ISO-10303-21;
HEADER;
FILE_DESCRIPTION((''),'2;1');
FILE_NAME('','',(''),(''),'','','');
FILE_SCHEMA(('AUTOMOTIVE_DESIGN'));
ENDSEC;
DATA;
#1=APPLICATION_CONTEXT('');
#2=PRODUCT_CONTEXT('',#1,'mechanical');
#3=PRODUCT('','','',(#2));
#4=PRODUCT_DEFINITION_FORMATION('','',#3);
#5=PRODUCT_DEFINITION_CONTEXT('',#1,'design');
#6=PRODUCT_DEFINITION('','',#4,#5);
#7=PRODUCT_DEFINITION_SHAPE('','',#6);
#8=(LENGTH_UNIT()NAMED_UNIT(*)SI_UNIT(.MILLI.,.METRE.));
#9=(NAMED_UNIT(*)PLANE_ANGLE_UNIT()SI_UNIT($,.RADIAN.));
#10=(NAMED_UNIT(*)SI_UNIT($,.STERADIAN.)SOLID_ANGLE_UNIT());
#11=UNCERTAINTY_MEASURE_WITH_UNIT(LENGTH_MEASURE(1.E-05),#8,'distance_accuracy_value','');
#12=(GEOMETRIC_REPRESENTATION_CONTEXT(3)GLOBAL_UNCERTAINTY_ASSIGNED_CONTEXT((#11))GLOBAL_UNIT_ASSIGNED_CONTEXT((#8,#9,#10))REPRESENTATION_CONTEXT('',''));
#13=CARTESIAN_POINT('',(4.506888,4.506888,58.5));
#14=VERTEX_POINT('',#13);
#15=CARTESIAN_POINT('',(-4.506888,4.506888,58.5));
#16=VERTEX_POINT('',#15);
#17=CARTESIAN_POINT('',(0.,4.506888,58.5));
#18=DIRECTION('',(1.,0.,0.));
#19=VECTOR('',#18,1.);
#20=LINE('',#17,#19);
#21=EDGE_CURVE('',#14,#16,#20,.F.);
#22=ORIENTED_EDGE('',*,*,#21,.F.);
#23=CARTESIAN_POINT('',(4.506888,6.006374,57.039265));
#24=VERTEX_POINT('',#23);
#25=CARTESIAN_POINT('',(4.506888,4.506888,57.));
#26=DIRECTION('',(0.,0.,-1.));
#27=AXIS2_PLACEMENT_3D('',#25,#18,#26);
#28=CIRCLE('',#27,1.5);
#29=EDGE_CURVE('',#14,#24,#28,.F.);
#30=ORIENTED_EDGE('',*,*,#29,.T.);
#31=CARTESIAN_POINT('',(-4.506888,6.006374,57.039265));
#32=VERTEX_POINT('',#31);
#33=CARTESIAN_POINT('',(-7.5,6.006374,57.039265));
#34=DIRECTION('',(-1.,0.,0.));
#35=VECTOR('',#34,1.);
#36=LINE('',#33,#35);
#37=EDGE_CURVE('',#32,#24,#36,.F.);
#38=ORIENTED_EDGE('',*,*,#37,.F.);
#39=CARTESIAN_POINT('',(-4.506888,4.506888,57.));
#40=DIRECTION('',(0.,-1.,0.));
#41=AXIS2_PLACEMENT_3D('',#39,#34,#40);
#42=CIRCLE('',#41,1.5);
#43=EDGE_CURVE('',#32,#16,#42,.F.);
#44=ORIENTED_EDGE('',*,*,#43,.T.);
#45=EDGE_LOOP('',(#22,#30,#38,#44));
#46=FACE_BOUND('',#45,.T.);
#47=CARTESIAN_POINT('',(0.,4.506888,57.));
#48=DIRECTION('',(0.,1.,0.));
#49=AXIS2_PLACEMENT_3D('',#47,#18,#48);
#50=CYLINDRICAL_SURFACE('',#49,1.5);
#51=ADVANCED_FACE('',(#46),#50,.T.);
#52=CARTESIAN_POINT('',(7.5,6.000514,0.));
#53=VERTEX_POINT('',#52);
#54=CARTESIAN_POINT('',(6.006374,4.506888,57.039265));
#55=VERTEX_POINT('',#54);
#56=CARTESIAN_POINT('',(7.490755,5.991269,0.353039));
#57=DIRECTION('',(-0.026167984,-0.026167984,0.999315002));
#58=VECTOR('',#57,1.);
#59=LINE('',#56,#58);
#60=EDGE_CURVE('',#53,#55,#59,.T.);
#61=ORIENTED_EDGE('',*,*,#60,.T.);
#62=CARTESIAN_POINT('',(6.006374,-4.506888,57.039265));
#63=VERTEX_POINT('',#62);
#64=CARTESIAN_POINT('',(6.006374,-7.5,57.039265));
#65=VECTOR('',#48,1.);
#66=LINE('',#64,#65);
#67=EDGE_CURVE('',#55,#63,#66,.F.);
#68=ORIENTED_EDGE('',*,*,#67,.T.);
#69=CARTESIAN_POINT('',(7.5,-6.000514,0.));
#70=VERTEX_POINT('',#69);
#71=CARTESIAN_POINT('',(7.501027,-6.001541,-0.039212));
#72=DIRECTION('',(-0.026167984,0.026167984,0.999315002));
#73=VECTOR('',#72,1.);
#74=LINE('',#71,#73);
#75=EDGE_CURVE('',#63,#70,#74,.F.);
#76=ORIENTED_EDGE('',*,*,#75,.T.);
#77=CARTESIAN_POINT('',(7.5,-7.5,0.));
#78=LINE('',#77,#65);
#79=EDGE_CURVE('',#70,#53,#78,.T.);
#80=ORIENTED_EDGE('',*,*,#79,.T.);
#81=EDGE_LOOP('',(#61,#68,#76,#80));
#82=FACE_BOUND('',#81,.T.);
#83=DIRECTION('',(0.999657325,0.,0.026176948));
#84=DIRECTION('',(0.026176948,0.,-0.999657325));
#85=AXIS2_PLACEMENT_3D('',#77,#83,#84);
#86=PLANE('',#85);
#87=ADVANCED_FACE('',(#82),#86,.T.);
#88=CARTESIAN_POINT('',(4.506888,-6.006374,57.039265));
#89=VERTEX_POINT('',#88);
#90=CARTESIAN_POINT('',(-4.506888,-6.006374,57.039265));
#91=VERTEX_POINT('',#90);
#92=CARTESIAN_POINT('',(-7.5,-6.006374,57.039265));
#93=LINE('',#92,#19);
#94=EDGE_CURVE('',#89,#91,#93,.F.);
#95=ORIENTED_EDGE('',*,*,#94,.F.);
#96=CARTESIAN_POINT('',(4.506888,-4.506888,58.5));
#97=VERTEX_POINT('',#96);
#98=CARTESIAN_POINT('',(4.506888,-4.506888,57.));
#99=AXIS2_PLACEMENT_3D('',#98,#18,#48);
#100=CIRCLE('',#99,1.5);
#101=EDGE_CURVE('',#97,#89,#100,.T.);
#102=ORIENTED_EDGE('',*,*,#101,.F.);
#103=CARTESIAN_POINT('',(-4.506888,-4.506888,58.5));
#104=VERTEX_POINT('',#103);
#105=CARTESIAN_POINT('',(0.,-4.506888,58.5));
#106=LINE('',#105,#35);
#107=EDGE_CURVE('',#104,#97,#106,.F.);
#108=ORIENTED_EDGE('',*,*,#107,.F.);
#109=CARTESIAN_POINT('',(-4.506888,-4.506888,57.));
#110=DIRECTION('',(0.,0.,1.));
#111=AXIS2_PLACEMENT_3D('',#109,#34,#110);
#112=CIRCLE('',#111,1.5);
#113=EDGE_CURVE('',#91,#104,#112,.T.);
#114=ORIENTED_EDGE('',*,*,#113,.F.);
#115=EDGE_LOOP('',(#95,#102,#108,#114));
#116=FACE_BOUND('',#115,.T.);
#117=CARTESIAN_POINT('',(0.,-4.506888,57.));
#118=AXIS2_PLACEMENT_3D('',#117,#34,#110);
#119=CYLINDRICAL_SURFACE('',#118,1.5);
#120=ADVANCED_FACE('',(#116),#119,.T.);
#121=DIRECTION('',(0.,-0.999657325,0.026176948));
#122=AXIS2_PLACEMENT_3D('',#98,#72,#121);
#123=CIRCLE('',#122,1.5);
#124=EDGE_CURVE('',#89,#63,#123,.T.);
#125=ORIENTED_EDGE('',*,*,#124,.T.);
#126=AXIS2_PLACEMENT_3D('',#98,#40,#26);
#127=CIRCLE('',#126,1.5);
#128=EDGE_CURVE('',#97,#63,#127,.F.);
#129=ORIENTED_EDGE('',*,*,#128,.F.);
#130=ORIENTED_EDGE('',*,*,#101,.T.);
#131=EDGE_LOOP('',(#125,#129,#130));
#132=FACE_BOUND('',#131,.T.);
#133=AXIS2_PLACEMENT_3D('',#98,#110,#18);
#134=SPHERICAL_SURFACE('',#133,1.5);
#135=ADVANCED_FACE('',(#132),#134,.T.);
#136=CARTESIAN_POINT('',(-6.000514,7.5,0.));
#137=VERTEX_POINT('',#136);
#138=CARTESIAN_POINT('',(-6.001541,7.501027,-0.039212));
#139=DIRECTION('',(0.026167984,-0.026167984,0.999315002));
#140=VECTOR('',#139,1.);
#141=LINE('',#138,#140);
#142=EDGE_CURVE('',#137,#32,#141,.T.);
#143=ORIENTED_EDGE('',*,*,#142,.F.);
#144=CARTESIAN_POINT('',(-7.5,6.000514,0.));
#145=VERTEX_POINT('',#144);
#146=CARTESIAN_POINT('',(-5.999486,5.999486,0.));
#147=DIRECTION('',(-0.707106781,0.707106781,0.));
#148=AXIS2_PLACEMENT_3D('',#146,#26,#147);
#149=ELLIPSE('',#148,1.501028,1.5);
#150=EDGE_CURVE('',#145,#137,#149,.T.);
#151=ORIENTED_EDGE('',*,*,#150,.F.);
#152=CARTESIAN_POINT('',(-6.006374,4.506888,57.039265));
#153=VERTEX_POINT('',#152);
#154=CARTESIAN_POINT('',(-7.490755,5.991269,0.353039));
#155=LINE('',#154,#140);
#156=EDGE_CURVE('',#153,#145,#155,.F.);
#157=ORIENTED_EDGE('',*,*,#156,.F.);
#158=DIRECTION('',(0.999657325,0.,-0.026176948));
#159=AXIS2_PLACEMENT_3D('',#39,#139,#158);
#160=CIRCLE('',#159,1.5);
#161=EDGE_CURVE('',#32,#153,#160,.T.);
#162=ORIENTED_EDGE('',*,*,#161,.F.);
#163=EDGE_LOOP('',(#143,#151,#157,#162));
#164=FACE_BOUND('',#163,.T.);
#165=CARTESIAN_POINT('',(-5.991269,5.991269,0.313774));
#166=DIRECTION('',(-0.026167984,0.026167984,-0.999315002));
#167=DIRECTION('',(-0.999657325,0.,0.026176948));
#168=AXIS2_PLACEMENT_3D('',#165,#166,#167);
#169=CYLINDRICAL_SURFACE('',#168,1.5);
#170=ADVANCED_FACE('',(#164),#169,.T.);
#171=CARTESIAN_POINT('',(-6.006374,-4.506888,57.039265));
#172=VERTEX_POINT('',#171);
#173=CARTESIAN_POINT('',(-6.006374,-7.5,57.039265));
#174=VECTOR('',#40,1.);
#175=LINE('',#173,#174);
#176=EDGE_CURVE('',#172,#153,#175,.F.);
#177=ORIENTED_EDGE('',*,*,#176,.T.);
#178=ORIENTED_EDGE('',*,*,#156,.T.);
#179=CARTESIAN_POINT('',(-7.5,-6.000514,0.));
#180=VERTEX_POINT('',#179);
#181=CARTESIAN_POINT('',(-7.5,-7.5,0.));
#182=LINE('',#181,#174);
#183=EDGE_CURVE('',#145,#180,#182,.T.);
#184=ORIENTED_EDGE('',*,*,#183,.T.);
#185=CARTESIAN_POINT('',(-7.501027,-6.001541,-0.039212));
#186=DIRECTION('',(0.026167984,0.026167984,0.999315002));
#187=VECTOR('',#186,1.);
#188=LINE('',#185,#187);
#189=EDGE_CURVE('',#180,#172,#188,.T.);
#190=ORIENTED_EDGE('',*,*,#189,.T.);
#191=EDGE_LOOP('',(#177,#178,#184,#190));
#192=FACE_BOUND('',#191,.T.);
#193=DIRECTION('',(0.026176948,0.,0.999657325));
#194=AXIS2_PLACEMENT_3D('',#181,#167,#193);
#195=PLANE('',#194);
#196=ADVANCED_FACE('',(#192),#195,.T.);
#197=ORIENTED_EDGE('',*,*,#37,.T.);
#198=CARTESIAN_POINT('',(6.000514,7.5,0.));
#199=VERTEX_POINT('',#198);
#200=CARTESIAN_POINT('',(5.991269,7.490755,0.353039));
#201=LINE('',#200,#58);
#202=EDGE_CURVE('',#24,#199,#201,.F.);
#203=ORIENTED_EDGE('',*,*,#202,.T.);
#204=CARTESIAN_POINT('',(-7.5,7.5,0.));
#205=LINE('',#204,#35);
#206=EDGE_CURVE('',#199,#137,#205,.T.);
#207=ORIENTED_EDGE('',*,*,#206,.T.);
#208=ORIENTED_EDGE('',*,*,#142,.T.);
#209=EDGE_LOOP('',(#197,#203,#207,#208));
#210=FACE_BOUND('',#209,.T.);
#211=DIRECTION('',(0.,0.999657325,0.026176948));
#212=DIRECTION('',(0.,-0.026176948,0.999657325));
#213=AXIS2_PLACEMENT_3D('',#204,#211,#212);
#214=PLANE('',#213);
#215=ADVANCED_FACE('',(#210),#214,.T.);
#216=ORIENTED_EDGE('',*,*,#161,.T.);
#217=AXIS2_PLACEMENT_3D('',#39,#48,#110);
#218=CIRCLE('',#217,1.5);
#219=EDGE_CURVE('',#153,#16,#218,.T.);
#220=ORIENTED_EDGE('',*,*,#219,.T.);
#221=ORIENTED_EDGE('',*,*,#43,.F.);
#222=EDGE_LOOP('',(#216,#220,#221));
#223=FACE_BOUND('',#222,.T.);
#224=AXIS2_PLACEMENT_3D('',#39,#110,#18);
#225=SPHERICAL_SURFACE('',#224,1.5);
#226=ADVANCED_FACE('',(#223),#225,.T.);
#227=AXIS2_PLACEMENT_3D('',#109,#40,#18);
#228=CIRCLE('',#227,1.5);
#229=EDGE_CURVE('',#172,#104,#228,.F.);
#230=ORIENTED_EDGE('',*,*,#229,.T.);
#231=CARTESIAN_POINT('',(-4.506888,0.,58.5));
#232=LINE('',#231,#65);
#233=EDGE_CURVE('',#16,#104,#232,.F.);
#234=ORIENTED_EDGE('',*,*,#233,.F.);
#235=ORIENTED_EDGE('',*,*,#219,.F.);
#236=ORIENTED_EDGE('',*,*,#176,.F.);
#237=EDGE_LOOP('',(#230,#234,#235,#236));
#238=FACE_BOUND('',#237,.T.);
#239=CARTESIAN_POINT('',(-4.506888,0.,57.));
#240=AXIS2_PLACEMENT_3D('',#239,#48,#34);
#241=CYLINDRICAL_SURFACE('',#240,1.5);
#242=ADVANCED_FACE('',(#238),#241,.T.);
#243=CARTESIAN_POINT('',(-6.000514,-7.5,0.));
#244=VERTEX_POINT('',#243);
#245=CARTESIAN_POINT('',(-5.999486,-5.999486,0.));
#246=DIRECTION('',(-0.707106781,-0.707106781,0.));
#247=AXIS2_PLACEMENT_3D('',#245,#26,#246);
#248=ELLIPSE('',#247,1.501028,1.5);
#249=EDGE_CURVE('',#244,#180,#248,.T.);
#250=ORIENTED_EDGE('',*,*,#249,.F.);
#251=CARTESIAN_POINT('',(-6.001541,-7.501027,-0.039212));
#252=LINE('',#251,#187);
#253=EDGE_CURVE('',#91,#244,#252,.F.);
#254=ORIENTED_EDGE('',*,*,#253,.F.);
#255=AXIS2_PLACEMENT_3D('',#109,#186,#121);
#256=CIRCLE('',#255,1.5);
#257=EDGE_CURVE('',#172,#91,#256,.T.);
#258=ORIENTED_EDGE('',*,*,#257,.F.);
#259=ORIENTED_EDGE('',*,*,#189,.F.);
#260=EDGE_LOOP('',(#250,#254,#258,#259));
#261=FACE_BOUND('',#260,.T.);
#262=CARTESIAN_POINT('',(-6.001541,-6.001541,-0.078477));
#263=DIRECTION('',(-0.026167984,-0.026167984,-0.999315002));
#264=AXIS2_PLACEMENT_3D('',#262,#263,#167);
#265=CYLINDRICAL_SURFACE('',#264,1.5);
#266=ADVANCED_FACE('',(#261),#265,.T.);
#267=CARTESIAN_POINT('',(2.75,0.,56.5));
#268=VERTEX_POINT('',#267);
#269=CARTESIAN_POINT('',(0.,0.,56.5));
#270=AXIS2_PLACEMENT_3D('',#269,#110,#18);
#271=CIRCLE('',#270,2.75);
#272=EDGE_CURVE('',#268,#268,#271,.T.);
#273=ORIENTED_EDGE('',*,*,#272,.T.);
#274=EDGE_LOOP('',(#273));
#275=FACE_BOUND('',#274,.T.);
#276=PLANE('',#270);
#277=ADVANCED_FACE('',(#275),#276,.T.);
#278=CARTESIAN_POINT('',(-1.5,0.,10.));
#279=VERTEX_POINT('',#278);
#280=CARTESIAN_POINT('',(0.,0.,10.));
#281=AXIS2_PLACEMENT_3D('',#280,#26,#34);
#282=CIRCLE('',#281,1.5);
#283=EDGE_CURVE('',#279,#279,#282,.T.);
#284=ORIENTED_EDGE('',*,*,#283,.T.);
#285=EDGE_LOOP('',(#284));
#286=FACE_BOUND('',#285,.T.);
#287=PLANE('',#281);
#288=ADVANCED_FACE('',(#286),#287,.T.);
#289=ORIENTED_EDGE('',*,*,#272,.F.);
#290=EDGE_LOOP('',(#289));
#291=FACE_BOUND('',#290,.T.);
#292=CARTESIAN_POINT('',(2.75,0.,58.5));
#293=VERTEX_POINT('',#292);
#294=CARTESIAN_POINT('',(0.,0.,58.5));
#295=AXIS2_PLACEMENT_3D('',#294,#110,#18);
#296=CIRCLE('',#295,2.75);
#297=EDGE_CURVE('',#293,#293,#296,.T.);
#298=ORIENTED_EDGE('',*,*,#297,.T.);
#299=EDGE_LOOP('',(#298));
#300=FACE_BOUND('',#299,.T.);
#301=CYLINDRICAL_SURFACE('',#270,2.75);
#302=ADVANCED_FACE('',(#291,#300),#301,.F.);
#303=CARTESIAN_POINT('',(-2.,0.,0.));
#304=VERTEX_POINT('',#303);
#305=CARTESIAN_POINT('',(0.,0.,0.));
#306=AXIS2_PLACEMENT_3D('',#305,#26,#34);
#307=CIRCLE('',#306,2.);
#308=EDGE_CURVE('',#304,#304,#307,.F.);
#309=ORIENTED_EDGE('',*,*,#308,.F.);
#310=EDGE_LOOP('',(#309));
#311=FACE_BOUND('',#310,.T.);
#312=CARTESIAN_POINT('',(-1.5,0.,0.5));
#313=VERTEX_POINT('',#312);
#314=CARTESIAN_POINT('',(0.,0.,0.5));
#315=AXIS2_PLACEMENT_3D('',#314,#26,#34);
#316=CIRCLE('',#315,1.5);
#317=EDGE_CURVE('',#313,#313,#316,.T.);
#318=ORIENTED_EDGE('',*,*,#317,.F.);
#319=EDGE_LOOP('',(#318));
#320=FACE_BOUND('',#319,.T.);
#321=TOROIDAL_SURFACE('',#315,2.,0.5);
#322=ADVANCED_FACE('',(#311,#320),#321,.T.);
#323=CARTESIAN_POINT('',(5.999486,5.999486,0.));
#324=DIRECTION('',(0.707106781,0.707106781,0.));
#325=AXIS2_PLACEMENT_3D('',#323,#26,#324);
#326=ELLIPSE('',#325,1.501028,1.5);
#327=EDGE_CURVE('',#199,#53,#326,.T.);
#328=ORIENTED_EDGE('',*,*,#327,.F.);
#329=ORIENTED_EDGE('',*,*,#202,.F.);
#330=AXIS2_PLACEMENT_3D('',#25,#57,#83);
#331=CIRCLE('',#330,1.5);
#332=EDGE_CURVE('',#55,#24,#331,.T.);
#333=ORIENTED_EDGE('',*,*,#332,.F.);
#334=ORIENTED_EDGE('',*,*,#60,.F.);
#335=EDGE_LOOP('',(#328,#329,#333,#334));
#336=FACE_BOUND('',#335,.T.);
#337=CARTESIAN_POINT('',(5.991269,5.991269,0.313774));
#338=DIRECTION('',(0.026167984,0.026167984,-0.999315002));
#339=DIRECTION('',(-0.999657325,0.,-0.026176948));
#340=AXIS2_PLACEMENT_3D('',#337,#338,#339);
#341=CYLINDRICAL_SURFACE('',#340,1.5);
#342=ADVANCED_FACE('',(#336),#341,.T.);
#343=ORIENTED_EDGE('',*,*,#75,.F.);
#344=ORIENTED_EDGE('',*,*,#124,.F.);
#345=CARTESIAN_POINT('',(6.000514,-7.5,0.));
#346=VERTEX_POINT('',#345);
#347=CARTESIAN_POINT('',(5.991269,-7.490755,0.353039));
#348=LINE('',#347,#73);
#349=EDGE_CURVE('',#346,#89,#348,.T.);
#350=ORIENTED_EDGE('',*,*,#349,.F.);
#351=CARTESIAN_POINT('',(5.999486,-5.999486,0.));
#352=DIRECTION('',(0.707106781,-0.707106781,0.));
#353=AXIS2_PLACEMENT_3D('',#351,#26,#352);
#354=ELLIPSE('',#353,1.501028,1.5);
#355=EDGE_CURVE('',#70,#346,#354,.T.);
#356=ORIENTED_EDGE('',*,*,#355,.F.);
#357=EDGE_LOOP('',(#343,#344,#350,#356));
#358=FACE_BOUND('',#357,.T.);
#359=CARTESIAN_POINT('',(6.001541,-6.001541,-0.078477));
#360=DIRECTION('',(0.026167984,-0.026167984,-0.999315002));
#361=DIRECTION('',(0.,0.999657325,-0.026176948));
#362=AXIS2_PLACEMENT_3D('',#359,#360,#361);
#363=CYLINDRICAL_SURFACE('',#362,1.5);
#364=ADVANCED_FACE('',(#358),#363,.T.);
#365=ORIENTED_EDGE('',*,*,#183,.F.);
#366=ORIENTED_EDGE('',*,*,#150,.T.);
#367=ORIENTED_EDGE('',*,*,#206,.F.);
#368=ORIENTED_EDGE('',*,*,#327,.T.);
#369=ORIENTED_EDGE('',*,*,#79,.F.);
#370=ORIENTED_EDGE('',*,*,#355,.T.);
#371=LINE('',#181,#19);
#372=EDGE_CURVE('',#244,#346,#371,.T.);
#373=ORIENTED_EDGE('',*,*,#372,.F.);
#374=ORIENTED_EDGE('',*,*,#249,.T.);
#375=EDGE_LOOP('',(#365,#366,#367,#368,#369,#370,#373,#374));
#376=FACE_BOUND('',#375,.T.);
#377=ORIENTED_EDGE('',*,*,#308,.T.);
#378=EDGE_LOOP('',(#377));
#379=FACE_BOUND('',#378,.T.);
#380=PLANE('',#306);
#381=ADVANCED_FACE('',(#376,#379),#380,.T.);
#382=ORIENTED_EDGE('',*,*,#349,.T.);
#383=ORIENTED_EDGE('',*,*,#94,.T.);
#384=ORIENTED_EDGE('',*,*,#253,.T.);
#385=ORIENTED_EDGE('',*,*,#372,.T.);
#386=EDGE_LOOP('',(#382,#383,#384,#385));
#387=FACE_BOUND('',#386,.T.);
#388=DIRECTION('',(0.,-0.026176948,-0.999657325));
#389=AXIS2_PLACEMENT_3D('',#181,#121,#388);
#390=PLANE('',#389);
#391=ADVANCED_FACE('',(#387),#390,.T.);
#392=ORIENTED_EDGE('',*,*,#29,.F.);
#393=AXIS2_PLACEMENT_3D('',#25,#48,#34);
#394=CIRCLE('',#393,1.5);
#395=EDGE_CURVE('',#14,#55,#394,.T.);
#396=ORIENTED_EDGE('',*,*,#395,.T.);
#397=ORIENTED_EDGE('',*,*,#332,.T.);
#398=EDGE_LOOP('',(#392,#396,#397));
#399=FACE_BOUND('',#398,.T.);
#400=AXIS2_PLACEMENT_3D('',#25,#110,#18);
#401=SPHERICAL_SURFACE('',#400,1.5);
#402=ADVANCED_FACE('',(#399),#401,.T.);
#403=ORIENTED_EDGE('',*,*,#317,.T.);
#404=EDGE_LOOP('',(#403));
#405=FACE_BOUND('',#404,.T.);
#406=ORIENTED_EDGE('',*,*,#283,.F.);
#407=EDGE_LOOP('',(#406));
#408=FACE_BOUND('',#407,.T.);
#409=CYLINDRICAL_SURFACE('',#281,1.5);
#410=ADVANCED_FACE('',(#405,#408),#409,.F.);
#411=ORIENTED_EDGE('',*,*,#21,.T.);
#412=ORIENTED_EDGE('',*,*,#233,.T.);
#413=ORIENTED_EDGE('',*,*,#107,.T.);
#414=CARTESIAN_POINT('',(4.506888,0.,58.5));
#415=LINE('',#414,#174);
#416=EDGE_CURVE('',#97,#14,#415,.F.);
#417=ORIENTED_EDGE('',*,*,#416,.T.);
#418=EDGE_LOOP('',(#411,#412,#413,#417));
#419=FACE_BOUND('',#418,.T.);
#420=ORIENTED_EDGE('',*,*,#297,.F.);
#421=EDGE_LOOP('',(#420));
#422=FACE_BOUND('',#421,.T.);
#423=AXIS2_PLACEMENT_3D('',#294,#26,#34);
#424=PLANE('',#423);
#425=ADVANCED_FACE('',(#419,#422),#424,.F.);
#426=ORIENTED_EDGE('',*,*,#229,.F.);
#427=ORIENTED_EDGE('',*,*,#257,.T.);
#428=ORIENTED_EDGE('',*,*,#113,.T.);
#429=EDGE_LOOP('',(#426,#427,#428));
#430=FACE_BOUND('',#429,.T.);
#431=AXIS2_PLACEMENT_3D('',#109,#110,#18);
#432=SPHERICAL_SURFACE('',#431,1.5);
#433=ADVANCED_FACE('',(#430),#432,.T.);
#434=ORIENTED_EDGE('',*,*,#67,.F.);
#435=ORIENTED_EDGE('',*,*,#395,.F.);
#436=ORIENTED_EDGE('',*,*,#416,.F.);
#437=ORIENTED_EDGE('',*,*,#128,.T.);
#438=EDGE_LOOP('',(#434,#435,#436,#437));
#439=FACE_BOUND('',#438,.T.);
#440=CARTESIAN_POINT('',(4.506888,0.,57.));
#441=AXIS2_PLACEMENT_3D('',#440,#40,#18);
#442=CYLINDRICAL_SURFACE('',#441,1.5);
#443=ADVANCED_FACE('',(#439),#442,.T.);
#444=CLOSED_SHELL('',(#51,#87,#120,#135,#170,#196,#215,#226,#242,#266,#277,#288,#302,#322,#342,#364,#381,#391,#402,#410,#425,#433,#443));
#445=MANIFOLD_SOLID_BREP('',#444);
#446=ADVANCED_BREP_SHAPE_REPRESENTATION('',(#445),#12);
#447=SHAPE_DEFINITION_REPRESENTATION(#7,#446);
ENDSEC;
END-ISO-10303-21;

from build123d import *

# Parameters (mm, degrees)
SKETCH1_W           = 15
SKETCH1_H           = 15
BOSS_EXTRUDE1_DEPTH = 58.5
BOSS_EXTRUDE1_TAPER = 1.5
SKETCH2_R           = 1.5
CUT_EXTRUDE1_DEPTH  = 10
SKETCH3_R           = 2.75
CUT_EXTRUDE2_DEPTH  = 2
FILLET1_R           = 1.5
FILLET2_R           = 0.5


with BuildPart() as part:
    # Sketch1 → Boss-Extrude1 (new body)
    with BuildSketch(Plane.XY):
        Rectangle(SKETCH1_W, SKETCH1_H)
    extrude(amount=BOSS_EXTRUDE1_DEPTH, taper=BOSS_EXTRUDE1_TAPER)

    # Sketch2 → Cut-Extrude1 (cut)
    with BuildSketch(Plane(origin=(0, 0, 0), x_dir=(-1, 0, 0), z_dir=(0, 0, -1))):
        Circle(SKETCH2_R)
    extrude(amount=-CUT_EXTRUDE1_DEPTH, mode=Mode.SUBTRACT)

    # Sketch3 → Cut-Extrude2 (cut)
    with BuildSketch(Plane.XY.offset(58.5)):
        Circle(SKETCH3_R)
    extrude(amount=-CUT_EXTRUDE2_DEPTH, mode=Mode.SUBTRACT)

    # Fillet1
    fillet1_edges = [part.edges().sort_by_distance(p)[0] for p in [
        (-5.968123588, 0, 58.5),
        (0, -5.968123588, 58.5),
        (5.968123588, 0, 58.5),
        (6.734061794, -6.734061794, 29.25),
        (-6.734061794, -6.734061794, 29.25),
        (-6.734061332, 6.734061332, 29.250017641),
        (6.734061794, 6.734061794, 29.25),
        (0, 5.968123588, 58.5),
    ]]
    fillet(fillet1_edges, radius=FILLET1_R)

    # Fillet2
    fillet2_edges = [part.edges().sort_by_distance(p)[0] for p in [
        (1.5, 0, 0),
    ]]
    fillet(fillet2_edges, radius=FILLET2_R)


solid = part.part
